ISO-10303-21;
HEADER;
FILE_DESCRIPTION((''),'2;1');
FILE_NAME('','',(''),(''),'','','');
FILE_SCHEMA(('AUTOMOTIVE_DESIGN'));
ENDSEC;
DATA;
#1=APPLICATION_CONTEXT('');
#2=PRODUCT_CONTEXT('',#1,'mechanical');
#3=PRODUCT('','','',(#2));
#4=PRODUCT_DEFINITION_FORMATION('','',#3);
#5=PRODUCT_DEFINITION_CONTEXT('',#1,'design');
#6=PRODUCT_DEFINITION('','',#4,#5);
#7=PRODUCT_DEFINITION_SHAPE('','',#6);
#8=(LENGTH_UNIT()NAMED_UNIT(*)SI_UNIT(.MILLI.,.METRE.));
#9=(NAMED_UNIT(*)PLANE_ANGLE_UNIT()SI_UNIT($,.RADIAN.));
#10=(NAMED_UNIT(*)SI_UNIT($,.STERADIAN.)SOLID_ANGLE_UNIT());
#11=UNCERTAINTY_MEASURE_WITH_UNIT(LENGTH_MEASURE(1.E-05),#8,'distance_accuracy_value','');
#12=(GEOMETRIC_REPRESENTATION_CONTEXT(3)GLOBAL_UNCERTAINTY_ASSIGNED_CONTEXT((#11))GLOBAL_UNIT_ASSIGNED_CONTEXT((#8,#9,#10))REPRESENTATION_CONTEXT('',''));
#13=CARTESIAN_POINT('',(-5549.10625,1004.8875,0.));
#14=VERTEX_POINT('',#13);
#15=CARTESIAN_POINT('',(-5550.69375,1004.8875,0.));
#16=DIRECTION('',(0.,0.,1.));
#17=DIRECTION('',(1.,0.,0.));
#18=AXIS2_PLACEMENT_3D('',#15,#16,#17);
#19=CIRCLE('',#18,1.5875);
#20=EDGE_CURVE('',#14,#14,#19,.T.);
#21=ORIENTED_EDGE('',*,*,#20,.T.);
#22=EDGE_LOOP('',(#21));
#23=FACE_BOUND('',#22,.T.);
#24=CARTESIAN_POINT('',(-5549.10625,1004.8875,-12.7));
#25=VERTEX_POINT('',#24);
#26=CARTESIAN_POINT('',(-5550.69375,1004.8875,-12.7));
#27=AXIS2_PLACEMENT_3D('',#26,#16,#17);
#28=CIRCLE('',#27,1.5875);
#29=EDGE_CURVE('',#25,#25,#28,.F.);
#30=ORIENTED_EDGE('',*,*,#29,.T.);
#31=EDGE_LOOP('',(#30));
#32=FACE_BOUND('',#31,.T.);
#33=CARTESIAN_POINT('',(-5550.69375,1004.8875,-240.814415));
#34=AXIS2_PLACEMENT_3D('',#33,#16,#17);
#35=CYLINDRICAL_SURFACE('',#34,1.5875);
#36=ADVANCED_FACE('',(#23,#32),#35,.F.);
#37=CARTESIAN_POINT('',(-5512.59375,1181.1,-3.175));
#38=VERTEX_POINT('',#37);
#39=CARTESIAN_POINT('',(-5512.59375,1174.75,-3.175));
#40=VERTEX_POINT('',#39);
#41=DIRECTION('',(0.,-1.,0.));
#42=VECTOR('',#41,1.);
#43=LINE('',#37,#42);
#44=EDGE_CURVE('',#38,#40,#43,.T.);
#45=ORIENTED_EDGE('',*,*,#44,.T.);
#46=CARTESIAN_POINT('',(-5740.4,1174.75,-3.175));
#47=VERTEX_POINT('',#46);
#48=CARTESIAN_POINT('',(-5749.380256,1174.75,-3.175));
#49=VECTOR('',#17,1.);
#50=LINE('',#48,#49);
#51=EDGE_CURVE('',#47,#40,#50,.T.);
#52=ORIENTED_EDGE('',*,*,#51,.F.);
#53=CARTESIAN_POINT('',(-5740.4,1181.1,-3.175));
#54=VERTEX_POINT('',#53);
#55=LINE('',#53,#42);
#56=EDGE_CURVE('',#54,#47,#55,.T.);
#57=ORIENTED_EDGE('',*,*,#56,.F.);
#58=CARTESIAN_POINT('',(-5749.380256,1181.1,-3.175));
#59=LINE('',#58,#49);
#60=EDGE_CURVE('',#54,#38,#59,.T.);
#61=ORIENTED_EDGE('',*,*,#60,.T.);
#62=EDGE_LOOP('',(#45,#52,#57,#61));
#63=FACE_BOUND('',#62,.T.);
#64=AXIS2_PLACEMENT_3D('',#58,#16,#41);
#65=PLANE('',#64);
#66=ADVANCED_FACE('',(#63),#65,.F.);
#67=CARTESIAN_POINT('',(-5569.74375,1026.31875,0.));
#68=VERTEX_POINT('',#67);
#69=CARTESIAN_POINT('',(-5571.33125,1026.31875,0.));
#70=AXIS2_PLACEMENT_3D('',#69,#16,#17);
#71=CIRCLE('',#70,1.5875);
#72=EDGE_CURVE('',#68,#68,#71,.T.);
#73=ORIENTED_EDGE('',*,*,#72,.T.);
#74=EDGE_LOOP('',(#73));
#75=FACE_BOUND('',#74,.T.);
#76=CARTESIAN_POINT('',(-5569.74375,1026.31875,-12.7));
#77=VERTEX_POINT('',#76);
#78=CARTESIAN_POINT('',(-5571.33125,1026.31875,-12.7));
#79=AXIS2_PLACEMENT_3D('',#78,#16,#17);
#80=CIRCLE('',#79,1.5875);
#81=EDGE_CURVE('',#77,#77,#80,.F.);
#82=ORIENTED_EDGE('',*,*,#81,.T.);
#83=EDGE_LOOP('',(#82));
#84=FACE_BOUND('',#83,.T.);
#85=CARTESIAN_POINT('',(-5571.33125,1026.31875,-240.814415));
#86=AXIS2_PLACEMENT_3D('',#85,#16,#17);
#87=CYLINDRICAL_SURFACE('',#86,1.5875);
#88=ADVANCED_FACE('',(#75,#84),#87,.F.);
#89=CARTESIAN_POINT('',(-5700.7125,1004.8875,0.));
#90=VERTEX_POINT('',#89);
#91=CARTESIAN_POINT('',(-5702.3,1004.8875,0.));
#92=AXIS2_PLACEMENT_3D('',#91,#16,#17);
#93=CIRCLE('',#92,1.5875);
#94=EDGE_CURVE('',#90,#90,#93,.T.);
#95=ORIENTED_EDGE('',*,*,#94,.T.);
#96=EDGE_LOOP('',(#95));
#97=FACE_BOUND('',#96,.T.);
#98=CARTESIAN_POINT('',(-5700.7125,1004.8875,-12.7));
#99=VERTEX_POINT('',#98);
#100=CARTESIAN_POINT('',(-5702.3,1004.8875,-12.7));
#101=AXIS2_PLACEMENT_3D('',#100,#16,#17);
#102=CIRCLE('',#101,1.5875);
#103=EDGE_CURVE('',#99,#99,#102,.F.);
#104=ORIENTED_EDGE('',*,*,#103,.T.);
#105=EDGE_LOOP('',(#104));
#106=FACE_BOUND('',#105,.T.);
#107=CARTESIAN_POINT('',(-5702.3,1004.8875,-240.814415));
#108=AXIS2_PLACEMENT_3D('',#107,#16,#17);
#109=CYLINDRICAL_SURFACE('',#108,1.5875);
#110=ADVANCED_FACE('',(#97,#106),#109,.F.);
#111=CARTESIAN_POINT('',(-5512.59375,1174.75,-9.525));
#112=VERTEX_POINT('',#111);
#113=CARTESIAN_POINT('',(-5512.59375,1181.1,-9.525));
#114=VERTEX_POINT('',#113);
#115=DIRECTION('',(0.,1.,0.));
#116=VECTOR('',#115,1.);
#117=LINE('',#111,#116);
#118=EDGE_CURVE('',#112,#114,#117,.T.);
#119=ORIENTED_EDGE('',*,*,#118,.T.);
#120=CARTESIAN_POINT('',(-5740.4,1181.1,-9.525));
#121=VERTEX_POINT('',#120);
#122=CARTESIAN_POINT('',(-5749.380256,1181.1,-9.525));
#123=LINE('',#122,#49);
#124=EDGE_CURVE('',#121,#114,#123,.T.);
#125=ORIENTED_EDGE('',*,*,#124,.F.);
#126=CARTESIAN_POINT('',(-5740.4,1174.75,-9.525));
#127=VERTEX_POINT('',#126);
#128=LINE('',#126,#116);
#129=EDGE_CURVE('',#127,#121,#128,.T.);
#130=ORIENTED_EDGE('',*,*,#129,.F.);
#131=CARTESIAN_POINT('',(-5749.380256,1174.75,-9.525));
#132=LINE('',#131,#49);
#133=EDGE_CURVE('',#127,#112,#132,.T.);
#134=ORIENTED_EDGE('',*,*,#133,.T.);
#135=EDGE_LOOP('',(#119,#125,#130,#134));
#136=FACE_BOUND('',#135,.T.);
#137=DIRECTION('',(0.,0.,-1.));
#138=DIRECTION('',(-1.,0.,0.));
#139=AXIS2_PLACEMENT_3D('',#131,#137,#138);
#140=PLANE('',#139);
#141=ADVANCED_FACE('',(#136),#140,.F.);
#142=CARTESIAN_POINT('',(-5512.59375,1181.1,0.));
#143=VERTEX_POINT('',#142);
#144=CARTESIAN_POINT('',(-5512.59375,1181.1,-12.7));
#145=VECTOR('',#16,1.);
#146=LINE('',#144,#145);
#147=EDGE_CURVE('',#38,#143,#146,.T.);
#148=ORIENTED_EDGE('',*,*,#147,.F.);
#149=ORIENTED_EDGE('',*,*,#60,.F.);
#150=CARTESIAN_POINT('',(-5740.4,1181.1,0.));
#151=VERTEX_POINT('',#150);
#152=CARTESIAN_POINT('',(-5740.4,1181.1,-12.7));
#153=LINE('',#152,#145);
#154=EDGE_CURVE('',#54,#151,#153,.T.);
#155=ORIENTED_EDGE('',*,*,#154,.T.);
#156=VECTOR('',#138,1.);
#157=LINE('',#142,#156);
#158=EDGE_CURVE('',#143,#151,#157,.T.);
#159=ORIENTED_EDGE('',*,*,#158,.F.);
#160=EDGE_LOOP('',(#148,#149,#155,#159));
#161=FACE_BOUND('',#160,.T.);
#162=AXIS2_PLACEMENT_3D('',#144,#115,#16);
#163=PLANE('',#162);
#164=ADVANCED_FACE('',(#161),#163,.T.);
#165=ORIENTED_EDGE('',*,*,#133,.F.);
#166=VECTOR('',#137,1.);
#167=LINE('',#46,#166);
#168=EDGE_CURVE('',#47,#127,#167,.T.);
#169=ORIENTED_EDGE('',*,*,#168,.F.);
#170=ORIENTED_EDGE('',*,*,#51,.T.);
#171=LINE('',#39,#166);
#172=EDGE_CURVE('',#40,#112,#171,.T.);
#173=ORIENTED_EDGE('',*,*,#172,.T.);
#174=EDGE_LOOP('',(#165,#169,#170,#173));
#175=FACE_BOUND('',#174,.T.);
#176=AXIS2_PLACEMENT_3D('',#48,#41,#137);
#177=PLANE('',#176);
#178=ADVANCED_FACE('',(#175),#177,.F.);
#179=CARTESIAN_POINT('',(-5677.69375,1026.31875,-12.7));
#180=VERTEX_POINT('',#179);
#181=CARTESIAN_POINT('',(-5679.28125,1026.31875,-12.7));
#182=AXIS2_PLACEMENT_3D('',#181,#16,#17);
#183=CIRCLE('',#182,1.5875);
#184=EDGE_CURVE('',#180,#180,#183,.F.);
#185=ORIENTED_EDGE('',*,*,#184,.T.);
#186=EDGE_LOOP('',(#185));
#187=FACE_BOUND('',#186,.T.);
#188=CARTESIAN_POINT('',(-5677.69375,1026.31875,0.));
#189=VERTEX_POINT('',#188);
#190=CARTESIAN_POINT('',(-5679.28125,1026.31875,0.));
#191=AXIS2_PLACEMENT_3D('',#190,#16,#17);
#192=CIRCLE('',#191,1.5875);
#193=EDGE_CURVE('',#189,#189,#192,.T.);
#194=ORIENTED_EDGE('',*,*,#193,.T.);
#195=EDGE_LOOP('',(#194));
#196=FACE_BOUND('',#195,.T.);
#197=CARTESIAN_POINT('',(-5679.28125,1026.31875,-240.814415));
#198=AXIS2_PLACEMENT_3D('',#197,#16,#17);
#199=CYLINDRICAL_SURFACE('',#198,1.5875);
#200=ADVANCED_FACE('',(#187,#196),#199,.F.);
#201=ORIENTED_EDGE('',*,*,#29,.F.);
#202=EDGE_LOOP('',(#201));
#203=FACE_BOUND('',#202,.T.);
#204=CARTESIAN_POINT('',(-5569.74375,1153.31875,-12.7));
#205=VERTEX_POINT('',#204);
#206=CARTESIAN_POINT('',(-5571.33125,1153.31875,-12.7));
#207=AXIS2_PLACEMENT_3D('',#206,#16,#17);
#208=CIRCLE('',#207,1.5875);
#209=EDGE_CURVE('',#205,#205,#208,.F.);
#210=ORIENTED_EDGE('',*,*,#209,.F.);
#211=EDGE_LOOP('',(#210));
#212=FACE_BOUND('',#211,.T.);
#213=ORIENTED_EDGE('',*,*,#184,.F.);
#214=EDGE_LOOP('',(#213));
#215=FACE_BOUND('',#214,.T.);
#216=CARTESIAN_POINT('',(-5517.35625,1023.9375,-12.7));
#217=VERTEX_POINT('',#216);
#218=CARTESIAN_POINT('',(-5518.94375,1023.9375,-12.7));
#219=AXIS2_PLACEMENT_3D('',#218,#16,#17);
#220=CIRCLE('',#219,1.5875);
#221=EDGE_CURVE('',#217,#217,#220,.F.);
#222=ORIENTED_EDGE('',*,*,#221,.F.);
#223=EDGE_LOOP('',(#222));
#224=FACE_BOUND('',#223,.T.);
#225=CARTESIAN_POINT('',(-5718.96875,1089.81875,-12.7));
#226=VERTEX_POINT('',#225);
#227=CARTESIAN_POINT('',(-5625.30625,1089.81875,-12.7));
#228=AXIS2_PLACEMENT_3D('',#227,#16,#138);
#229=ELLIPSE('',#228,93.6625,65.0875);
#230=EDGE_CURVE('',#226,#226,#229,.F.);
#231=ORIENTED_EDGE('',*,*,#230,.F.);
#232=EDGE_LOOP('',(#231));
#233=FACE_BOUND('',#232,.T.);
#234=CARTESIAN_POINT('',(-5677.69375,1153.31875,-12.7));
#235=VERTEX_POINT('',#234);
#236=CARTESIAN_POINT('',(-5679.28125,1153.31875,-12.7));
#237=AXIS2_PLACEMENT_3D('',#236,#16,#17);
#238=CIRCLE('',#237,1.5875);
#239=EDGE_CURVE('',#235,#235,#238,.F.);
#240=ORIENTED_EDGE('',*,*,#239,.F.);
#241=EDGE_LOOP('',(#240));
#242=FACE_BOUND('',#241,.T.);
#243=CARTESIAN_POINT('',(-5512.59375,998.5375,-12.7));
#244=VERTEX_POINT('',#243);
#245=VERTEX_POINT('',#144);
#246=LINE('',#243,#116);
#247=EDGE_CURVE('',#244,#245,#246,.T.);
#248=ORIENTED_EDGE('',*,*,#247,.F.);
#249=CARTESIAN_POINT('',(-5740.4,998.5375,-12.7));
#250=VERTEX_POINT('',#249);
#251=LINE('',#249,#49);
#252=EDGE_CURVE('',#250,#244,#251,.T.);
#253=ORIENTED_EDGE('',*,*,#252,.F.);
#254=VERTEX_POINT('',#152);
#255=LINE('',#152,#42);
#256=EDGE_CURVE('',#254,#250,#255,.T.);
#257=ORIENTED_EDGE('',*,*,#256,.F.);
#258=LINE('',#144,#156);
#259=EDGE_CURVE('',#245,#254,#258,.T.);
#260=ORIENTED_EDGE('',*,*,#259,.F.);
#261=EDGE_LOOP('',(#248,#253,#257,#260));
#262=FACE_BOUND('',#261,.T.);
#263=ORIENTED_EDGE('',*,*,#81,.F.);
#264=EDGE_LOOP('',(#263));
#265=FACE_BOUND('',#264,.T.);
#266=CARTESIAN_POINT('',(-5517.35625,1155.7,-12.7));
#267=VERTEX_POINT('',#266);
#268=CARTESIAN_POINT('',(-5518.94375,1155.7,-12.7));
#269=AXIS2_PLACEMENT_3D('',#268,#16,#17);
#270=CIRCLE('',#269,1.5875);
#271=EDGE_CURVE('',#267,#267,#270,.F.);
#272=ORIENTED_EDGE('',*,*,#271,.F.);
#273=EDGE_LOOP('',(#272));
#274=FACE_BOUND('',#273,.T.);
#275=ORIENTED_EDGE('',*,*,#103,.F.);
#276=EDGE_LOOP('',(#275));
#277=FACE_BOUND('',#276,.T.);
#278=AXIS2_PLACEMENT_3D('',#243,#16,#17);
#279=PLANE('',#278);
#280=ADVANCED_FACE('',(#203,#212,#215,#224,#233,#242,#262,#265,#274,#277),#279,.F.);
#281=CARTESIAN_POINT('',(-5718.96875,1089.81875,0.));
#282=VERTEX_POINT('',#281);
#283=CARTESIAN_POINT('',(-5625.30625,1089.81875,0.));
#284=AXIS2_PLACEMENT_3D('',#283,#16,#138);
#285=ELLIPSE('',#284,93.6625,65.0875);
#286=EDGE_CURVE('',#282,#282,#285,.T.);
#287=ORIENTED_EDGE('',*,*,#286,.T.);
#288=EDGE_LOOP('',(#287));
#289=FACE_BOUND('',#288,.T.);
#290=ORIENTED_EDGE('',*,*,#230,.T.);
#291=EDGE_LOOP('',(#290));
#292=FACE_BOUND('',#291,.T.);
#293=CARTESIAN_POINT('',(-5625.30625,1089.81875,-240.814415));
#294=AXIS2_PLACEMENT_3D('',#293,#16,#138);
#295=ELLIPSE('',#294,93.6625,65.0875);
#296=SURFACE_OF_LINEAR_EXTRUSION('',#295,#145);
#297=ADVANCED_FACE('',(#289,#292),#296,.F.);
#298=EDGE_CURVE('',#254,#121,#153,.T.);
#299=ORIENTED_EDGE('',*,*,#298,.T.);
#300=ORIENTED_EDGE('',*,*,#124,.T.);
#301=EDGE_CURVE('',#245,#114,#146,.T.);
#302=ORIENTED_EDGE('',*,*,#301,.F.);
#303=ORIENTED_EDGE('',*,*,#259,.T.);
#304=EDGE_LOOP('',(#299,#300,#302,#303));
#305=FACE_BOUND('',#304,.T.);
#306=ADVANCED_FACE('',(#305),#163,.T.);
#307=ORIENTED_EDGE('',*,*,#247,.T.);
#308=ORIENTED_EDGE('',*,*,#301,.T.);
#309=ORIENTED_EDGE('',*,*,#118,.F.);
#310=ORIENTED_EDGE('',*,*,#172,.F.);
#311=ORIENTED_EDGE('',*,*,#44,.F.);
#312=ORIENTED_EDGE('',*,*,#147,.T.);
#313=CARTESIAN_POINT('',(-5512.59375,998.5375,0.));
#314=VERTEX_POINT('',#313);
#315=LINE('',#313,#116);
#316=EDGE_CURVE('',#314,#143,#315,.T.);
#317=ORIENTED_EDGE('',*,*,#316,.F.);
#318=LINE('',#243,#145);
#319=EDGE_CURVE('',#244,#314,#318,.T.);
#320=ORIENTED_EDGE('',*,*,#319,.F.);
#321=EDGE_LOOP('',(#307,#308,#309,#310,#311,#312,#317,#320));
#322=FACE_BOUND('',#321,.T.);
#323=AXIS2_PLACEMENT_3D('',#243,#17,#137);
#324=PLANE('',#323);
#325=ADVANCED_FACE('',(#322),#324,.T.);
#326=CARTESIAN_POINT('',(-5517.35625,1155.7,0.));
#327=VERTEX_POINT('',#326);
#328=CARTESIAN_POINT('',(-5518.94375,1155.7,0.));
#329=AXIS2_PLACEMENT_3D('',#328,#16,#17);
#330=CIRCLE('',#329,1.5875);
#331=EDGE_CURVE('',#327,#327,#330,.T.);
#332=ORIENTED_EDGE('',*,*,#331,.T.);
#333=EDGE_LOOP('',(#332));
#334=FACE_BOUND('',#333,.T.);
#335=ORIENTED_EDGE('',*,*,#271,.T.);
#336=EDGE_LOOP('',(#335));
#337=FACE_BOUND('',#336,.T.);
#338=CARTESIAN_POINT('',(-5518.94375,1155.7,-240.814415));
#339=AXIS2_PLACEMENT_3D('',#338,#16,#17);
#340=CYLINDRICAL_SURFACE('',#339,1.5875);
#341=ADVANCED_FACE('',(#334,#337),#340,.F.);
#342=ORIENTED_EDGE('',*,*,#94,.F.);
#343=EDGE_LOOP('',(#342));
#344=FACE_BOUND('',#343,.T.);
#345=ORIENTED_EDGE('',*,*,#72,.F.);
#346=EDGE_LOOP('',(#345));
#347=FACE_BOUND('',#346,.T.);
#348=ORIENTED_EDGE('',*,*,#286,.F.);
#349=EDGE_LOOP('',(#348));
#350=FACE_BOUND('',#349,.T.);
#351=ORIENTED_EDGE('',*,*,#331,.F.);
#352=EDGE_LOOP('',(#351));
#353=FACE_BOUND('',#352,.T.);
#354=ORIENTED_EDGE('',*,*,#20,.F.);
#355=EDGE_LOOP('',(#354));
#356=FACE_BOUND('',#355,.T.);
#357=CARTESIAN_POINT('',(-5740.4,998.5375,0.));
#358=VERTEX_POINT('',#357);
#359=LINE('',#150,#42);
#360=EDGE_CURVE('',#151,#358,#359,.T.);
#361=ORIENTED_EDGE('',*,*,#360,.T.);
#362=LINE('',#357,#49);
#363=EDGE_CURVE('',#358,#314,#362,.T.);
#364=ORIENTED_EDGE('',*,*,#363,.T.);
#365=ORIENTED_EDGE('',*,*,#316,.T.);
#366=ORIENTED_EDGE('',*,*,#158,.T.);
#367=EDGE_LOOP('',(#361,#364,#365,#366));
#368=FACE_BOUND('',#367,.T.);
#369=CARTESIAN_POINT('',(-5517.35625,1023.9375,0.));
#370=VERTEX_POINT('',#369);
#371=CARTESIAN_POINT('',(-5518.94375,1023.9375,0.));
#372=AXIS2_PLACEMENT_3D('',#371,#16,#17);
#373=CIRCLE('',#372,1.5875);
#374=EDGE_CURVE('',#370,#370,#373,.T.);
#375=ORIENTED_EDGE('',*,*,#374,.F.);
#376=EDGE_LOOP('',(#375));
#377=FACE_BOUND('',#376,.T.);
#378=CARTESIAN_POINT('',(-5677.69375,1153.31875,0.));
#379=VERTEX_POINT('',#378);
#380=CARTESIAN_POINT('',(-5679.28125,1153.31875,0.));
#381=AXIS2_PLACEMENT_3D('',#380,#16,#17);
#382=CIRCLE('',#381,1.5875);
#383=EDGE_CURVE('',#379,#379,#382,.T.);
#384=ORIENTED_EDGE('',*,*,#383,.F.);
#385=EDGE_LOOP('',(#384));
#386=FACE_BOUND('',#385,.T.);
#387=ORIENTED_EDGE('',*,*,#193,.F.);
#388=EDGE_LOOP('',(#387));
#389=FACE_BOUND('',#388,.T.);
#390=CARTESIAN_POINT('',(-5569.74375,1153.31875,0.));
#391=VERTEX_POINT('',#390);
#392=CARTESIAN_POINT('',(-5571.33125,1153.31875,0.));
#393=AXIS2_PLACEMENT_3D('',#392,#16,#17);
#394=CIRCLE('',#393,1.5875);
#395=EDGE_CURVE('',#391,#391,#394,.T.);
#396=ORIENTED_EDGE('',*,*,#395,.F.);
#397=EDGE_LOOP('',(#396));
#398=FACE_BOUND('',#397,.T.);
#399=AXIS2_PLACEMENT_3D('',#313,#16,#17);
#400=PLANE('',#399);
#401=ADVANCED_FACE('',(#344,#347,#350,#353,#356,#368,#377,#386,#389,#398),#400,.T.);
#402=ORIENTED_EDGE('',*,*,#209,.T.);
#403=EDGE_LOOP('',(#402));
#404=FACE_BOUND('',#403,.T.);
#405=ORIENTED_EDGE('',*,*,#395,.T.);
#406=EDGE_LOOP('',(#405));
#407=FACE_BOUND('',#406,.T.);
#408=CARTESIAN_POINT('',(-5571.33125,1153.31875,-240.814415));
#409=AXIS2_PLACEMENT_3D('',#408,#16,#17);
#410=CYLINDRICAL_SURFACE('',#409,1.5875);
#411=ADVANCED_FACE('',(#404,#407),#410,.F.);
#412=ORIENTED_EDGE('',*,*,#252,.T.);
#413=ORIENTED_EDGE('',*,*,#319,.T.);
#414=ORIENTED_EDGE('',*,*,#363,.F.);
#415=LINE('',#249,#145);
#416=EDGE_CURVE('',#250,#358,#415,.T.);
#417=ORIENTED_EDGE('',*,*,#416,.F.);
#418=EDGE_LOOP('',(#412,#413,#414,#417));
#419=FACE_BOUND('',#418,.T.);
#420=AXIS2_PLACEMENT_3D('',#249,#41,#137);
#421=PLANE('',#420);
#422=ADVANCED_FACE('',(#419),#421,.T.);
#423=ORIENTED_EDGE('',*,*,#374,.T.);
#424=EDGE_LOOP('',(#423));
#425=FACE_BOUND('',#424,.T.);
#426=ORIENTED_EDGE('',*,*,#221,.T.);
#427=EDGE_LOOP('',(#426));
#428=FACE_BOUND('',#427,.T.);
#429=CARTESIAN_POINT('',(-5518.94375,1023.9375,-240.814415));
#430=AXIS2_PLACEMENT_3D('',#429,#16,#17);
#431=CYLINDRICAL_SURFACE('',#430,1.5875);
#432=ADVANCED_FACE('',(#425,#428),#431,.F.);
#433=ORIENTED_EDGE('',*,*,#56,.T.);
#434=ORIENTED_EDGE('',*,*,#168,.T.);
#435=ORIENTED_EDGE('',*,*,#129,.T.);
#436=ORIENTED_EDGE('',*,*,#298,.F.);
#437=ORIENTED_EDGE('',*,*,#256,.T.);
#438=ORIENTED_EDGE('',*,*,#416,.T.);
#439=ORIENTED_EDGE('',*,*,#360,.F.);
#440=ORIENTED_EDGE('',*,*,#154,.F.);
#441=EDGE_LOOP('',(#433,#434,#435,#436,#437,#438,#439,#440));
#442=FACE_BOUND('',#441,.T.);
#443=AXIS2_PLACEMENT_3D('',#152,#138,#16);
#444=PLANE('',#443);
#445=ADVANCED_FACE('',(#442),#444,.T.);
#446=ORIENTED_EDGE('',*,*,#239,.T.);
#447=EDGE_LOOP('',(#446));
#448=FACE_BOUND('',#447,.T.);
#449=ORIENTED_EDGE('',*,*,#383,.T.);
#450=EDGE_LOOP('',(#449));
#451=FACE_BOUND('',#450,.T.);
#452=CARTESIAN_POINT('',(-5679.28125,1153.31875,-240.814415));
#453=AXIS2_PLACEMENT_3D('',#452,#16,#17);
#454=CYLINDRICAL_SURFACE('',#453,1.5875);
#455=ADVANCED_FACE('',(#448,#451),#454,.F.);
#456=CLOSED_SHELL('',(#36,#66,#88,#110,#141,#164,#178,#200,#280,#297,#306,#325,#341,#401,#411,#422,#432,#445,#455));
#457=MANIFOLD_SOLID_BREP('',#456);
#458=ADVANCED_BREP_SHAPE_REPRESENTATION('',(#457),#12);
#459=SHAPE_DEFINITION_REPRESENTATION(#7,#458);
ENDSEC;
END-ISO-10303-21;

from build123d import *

# Parameters (mm, degrees)
SKETCH2_W          = 227.80625
SKETCH2_H          = 182.5625
EXTRUDE1_DEPTH     = 12.7
SKETCH4_R          = 1.5875
SKETCH4_RX         = 93.6625
SKETCH4_RY         = 65.087499997
CUT_EXTRUDE1_DEPTH = 12.7
CUT_EXTRUDE2_DEPTH = 227.80625


with BuildPart() as part:
    # Sketch2 → Extrude1 (new body)
    with BuildSketch(Plane.XY):
        with Locations((-5626.496875, 1089.81875)):
            Rectangle(SKETCH2_W, SKETCH2_H)
    extrude(amount=-EXTRUDE1_DEPTH)

    # Sketch4 → Cut-Extrude1 (cut)
    with BuildSketch(Plane.XY):
        with Locations((-5571.33125, 1153.31875)):
            Circle(SKETCH4_R)
        with Locations((-5518.94375, 1155.7)):
            Circle(SKETCH4_R)
        with Locations((-5518.94375, 1023.9375)):
            Circle(SKETCH4_R)
        with Locations((-5550.69375, 1004.8875)):
            Circle(SKETCH4_R)
        with Locations((-5571.33125, 1026.31875)):
            Circle(SKETCH4_R)
        with Locations((-5679.28125, 1026.31875)):
            Circle(SKETCH4_R)
        with Locations((-5702.3, 1004.8875)):
            Circle(SKETCH4_R)
        with Locations((-5679.28125, 1153.31875)):
            Circle(SKETCH4_R)
        with Locations(Location((-5625.30625, 1089.81875), (0, 0, 180))):
            Ellipse(SKETCH4_RX, SKETCH4_RY)
    extrude(amount=-CUT_EXTRUDE1_DEPTH, mode=Mode.SUBTRACT)

    # Sketch5 → Cut-Extrude2 (cut)
    with BuildSketch(Plane(origin=(-5512.59375, 0, 0), x_dir=(0, 0, -1), z_dir=(1, 0, 0))):
        Polygon((6.35, 1181.1), (3.175, 1181.1), (3.175, 1174.75), (9.525, 1174.75), (9.525, 1181.1), align=None)
    extrude(amount=-CUT_EXTRUDE2_DEPTH, mode=Mode.SUBTRACT)


solid = part.part
